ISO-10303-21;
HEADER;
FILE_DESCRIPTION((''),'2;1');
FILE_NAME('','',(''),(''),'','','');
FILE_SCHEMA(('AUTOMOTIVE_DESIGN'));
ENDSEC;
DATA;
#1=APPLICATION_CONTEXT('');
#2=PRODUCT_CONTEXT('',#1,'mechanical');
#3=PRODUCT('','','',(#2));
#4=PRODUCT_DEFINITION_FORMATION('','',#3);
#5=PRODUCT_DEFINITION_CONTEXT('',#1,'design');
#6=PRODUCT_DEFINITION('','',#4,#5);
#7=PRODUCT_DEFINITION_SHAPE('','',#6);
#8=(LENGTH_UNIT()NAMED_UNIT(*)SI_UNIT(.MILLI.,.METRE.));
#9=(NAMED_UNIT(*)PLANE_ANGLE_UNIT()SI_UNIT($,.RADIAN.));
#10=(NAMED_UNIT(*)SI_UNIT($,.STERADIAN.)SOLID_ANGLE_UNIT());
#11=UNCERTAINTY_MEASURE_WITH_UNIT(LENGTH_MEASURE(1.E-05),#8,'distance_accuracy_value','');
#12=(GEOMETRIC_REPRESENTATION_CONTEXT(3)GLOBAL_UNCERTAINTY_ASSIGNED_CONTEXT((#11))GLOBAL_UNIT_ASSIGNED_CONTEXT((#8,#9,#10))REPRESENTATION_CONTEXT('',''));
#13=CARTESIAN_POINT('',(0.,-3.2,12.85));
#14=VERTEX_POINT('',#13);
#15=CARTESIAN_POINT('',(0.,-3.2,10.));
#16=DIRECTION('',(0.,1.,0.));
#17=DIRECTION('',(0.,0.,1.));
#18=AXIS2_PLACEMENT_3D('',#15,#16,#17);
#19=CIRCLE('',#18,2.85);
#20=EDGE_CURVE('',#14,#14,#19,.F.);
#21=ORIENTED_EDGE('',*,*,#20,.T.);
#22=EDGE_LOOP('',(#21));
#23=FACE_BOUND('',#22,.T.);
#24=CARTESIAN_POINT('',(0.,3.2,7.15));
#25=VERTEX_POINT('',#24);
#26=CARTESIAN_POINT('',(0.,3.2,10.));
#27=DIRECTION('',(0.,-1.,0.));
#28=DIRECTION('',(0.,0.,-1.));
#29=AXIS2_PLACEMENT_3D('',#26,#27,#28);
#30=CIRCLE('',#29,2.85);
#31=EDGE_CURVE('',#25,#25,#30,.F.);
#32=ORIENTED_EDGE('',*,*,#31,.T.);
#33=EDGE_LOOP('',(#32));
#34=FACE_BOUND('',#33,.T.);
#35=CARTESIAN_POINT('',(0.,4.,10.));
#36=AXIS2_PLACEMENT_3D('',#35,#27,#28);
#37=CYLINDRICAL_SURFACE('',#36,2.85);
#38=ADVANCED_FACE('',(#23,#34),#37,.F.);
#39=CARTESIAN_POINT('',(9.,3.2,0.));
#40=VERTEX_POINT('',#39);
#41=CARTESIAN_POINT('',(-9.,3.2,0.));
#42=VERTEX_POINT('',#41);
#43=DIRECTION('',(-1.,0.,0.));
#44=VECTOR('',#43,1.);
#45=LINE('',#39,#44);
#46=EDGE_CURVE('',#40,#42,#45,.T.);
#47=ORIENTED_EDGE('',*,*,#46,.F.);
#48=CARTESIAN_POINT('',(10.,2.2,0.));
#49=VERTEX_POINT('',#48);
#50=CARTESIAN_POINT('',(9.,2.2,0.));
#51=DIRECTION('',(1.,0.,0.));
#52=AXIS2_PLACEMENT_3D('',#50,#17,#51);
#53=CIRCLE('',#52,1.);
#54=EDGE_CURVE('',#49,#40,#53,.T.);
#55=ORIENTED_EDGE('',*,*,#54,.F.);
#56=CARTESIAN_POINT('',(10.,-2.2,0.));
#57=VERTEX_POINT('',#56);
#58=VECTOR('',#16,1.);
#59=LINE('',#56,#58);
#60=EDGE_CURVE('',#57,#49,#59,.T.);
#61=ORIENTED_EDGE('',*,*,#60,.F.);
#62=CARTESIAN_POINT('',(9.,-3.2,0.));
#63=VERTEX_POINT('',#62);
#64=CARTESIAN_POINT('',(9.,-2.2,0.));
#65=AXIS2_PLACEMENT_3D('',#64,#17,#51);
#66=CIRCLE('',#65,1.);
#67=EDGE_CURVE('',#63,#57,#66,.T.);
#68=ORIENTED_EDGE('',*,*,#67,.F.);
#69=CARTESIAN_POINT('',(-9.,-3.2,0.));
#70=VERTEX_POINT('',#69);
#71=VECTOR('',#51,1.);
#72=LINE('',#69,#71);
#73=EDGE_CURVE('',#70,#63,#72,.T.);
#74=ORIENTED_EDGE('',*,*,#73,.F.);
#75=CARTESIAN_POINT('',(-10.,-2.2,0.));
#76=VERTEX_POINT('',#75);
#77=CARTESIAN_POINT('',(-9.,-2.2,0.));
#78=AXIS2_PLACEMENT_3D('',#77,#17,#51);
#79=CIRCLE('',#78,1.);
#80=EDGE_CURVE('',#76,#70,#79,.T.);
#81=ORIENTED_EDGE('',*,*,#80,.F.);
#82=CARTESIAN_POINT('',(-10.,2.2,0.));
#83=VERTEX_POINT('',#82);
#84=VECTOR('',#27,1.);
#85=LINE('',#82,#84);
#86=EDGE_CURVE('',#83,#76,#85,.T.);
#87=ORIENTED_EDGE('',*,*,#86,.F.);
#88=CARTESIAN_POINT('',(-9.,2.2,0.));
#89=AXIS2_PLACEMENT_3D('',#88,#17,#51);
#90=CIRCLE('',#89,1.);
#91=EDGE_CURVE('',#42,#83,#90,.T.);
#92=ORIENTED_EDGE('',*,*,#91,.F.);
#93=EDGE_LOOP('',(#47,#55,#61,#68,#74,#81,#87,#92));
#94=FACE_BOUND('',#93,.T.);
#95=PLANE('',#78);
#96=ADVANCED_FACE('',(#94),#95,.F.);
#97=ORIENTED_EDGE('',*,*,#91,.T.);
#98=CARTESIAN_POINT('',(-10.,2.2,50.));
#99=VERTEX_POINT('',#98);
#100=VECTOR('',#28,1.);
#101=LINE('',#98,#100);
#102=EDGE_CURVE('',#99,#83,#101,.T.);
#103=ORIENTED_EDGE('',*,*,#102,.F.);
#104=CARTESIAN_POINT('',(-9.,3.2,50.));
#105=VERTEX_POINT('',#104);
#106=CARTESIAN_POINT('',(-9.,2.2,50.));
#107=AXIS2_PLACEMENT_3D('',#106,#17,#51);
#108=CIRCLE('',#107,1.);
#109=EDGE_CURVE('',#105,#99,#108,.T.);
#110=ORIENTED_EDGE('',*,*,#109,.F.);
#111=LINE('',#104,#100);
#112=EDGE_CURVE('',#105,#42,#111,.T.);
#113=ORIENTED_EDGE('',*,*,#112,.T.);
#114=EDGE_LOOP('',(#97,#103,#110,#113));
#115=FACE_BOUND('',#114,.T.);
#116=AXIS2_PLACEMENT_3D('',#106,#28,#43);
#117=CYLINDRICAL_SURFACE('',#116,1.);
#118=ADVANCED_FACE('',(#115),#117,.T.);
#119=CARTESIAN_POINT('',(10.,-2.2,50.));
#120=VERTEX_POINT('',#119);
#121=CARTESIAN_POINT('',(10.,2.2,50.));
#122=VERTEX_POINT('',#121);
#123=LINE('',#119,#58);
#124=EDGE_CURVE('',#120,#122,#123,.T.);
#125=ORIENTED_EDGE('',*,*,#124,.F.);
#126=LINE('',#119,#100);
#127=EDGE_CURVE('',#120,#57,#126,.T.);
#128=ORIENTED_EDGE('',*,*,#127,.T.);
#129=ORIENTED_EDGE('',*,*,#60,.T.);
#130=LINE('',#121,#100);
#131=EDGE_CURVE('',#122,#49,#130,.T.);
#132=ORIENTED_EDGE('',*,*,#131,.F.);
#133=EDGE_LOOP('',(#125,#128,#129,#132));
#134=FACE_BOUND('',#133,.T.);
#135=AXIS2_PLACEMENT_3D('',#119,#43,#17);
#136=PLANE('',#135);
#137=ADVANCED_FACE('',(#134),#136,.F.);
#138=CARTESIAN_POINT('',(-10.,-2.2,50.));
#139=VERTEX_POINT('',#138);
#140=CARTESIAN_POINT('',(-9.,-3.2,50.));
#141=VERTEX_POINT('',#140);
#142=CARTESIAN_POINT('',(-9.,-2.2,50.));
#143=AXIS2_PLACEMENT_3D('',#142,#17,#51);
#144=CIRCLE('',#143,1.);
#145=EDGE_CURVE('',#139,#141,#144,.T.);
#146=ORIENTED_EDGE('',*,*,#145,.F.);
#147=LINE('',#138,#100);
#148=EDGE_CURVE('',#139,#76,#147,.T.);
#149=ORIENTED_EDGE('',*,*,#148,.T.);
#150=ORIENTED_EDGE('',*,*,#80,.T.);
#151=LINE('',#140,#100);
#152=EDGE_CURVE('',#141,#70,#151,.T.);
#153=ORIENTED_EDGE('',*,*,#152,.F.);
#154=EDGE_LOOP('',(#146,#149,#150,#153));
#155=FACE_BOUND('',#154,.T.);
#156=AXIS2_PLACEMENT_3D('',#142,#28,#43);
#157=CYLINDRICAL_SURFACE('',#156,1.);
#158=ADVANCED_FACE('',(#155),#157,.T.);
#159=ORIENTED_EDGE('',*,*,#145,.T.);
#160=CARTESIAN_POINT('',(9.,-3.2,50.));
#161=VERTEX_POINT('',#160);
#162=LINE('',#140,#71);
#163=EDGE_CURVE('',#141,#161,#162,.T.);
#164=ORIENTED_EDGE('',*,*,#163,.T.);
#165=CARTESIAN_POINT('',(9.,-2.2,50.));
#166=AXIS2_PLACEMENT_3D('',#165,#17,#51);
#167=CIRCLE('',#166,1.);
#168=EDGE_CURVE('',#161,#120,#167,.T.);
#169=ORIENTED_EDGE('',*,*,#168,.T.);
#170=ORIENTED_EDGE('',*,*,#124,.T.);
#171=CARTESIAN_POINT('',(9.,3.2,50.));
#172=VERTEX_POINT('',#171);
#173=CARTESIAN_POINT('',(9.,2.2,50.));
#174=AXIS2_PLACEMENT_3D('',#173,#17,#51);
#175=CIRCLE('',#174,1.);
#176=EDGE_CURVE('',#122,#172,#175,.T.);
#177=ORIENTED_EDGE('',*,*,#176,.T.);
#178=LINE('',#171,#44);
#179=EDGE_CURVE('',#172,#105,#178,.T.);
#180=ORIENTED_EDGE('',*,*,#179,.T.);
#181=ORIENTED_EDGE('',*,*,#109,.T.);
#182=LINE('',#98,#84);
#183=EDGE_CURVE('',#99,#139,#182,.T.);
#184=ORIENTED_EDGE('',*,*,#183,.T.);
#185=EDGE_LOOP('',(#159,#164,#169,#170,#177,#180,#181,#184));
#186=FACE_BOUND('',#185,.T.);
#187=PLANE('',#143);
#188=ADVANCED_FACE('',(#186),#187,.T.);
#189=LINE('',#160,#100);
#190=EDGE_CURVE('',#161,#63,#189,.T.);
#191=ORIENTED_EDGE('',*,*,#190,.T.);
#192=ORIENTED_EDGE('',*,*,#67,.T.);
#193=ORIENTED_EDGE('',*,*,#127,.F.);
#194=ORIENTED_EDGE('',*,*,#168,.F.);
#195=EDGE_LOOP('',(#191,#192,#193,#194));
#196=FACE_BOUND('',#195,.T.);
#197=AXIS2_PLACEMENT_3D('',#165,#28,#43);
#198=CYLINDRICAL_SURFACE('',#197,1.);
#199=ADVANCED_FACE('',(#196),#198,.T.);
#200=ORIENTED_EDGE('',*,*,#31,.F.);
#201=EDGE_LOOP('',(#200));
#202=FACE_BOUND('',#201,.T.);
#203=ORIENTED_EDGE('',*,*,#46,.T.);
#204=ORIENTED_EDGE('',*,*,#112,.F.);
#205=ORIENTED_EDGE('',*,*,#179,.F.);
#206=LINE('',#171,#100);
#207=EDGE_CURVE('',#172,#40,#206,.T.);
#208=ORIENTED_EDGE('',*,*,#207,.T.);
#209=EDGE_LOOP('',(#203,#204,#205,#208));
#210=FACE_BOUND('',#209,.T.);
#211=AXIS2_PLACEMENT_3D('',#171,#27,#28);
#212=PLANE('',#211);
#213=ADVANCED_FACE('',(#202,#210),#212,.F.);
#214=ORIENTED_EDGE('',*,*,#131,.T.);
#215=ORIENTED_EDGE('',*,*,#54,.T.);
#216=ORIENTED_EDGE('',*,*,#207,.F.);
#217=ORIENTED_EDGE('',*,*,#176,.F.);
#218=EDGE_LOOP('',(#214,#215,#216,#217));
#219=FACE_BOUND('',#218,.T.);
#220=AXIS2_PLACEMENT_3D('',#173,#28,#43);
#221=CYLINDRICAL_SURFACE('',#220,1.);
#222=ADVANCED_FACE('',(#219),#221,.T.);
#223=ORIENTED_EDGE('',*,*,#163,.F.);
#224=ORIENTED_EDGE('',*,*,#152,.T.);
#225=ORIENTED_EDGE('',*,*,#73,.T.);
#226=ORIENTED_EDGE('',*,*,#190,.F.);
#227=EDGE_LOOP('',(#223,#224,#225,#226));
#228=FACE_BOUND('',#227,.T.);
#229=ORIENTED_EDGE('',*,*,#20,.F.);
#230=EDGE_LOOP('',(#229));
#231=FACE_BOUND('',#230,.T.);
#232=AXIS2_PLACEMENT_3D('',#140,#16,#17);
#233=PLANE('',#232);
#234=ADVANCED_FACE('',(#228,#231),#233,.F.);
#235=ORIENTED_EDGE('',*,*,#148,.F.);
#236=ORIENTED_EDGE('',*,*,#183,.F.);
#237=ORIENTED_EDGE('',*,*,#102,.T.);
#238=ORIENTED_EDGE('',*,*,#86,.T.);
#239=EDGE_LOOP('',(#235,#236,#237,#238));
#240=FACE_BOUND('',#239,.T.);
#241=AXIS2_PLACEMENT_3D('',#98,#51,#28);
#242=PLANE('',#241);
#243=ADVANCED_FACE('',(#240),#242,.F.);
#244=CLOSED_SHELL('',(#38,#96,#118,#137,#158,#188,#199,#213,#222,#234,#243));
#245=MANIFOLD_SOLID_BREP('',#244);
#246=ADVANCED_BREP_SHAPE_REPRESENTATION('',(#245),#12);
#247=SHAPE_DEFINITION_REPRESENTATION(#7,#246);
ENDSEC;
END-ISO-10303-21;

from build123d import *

# Parameters (mm, degrees)
BOSS_EXTRUDE1_DEPTH = 50
SKETCH2_R           = 2.85
CUT_EXTRUDE1_DEPTH  = 8


with BuildPart() as part:
    # Sketch1 → Boss-Extrude1 (new body)
    with BuildSketch(Plane.XY):
        with BuildLine():
            Line((-9, -3.2), (9, -3.2))
            ThreePointArc((9, -3.2), (9.707106781, -2.907106781), (10, -2.2))
            Line((10, -2.2), (10, 2.2))
            ThreePointArc((10, 2.2), (9.707106781, 2.907106781), (9, 3.2))
            Line((9, 3.2), (-9, 3.2))
            ThreePointArc((-9, 3.2), (-9.707106781, 2.907106781), (-10, 2.2))
            Line((-10, 2.2), (-10, -2.2))
            ThreePointArc((-10, -2.2), (-9.707106781, -2.907106781), (-9, -3.2))
        make_face()
    extrude(amount=BOSS_EXTRUDE1_DEPTH)

    # Sketch2 → Cut-Extrude1 (cut)
    with BuildSketch(Plane(origin=(0, -4, 0), x_dir=(1, 0, 0), z_dir=(0, 1, 0))):
        with Locations(Location((0, -10, 0), (0, 0, 90))):
            Circle(SKETCH2_R)
    extrude(amount=CUT_EXTRUDE1_DEPTH, mode=Mode.SUBTRACT)


solid = part.part
